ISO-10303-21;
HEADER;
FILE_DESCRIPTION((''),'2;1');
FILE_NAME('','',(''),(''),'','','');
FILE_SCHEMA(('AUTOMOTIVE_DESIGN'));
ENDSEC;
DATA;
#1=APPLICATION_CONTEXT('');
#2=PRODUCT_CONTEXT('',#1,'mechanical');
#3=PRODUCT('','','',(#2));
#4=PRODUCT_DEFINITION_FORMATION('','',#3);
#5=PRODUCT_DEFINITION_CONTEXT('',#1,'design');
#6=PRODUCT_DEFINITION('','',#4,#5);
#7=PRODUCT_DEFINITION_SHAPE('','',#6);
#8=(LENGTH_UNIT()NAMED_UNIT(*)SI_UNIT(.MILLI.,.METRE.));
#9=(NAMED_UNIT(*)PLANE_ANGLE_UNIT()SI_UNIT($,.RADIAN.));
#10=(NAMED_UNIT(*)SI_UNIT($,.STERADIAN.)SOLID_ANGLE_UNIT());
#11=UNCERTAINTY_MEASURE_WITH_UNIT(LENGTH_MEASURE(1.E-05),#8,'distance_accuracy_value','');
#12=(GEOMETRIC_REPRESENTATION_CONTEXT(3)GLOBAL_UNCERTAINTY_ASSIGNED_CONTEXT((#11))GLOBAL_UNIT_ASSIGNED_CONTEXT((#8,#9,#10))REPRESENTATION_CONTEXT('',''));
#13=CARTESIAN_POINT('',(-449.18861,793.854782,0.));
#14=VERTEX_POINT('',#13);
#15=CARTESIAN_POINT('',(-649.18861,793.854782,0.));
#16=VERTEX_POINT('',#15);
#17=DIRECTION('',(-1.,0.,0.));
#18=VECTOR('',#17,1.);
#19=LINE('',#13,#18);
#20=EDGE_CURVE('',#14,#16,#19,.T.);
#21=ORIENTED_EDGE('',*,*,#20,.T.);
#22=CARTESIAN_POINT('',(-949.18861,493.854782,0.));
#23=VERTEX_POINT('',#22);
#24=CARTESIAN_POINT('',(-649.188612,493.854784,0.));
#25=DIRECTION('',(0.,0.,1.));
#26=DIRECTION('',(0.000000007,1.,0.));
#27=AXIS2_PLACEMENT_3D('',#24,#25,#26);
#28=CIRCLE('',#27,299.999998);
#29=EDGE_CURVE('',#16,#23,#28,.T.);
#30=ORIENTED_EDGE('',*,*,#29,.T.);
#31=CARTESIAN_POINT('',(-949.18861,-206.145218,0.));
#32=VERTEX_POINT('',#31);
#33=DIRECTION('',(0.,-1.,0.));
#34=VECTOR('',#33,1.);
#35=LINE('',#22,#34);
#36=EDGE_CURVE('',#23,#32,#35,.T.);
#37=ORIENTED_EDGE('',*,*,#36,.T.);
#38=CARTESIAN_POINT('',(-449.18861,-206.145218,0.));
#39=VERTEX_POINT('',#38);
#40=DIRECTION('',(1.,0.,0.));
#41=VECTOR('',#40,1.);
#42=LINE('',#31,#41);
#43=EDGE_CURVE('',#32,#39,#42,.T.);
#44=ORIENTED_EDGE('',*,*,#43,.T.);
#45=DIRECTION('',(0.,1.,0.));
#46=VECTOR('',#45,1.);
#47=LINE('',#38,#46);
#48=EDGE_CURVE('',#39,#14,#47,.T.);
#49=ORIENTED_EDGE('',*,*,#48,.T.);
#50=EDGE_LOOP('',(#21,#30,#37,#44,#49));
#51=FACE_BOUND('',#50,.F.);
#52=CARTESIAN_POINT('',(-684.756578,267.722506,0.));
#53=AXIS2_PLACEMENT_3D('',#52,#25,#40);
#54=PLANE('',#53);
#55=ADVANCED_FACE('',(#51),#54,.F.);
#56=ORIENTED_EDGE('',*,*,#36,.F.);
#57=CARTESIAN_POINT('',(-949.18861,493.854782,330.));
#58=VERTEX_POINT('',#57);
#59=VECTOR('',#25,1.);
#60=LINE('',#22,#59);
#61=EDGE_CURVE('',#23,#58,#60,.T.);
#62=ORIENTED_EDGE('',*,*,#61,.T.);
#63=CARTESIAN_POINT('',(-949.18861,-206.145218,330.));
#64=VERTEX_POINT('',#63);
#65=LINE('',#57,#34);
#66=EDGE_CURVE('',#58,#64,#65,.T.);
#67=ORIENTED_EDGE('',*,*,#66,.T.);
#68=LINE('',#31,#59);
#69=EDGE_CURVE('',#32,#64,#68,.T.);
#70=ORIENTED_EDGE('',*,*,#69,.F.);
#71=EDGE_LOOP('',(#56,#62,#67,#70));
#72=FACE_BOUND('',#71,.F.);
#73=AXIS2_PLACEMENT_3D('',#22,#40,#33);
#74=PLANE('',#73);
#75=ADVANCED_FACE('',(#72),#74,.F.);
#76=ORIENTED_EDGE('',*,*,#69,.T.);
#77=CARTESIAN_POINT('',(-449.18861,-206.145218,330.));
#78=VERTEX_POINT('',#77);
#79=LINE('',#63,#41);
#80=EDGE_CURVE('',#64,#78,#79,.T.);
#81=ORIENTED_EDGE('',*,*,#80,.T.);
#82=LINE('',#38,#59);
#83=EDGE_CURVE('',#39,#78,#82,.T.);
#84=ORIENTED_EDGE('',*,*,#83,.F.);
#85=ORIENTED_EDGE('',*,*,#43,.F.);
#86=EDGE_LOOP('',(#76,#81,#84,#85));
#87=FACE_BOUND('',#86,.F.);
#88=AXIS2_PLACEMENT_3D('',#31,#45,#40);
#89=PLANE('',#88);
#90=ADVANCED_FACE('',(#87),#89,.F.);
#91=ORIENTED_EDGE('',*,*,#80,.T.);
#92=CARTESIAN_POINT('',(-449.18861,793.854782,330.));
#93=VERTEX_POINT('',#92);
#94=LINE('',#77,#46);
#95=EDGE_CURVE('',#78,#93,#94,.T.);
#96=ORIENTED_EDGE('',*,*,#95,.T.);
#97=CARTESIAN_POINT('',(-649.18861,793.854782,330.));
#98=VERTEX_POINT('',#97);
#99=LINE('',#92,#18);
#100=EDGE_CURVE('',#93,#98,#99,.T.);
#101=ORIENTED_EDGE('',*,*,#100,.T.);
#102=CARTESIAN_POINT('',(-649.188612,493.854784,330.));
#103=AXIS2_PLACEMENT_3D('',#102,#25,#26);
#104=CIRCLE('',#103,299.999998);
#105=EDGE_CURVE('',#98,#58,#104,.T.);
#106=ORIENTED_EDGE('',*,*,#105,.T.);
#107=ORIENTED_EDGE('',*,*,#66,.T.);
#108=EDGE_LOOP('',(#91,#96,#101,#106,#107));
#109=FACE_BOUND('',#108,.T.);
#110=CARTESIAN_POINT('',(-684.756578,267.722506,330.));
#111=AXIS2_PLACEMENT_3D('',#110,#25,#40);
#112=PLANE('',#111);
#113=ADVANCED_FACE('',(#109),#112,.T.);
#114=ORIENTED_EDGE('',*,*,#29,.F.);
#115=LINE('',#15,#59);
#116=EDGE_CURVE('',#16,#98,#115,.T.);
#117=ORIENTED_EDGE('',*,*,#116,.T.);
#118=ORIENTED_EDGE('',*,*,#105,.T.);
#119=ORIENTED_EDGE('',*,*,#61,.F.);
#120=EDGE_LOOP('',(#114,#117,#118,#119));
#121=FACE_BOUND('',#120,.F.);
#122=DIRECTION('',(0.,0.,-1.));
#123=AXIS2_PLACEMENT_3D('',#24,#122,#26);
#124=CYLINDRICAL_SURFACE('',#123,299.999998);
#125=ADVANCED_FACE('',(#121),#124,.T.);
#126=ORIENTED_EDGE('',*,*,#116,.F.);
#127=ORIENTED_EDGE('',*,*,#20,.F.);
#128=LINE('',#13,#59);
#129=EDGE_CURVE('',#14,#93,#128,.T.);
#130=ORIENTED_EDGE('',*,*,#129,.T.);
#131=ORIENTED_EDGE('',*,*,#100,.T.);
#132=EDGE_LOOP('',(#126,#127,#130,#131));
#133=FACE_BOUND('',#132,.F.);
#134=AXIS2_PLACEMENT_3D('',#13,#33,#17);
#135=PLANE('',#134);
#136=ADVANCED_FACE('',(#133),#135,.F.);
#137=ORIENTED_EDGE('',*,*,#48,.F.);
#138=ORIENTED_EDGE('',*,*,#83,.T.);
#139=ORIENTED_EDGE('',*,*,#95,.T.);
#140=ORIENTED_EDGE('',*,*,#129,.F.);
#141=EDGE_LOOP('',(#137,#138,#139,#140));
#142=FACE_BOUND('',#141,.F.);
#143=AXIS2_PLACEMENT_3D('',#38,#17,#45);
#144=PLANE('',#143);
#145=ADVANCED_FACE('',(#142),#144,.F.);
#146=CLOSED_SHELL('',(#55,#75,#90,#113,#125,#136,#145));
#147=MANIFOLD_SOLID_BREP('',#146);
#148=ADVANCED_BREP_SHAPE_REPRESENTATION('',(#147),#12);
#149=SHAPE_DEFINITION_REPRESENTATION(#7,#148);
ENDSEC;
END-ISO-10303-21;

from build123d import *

# Parameters (mm, degrees)
F1_DEPTH = 330


with BuildPart() as f1:
    # F0 (on Top) → F1 (new body)
    with BuildSketch(Plane.XY):
        with BuildLine():
            Line((-449.18861, 793.854782), (-649.18861, 793.854782))
            ThreePointArc((-649.18861, 793.854782), (-861.320645, 705.986817), (-949.18861, 493.854782))
            Line((-949.18861, 493.854782), (-949.18861, -206.145218))
            Line((-949.18861, -206.145218), (-449.18861, -206.145218))
            Line((-449.18861, -206.145218), (-449.18861, 793.854782))
        make_face()
    extrude(amount=F1_DEPTH)


solid = f1.part
